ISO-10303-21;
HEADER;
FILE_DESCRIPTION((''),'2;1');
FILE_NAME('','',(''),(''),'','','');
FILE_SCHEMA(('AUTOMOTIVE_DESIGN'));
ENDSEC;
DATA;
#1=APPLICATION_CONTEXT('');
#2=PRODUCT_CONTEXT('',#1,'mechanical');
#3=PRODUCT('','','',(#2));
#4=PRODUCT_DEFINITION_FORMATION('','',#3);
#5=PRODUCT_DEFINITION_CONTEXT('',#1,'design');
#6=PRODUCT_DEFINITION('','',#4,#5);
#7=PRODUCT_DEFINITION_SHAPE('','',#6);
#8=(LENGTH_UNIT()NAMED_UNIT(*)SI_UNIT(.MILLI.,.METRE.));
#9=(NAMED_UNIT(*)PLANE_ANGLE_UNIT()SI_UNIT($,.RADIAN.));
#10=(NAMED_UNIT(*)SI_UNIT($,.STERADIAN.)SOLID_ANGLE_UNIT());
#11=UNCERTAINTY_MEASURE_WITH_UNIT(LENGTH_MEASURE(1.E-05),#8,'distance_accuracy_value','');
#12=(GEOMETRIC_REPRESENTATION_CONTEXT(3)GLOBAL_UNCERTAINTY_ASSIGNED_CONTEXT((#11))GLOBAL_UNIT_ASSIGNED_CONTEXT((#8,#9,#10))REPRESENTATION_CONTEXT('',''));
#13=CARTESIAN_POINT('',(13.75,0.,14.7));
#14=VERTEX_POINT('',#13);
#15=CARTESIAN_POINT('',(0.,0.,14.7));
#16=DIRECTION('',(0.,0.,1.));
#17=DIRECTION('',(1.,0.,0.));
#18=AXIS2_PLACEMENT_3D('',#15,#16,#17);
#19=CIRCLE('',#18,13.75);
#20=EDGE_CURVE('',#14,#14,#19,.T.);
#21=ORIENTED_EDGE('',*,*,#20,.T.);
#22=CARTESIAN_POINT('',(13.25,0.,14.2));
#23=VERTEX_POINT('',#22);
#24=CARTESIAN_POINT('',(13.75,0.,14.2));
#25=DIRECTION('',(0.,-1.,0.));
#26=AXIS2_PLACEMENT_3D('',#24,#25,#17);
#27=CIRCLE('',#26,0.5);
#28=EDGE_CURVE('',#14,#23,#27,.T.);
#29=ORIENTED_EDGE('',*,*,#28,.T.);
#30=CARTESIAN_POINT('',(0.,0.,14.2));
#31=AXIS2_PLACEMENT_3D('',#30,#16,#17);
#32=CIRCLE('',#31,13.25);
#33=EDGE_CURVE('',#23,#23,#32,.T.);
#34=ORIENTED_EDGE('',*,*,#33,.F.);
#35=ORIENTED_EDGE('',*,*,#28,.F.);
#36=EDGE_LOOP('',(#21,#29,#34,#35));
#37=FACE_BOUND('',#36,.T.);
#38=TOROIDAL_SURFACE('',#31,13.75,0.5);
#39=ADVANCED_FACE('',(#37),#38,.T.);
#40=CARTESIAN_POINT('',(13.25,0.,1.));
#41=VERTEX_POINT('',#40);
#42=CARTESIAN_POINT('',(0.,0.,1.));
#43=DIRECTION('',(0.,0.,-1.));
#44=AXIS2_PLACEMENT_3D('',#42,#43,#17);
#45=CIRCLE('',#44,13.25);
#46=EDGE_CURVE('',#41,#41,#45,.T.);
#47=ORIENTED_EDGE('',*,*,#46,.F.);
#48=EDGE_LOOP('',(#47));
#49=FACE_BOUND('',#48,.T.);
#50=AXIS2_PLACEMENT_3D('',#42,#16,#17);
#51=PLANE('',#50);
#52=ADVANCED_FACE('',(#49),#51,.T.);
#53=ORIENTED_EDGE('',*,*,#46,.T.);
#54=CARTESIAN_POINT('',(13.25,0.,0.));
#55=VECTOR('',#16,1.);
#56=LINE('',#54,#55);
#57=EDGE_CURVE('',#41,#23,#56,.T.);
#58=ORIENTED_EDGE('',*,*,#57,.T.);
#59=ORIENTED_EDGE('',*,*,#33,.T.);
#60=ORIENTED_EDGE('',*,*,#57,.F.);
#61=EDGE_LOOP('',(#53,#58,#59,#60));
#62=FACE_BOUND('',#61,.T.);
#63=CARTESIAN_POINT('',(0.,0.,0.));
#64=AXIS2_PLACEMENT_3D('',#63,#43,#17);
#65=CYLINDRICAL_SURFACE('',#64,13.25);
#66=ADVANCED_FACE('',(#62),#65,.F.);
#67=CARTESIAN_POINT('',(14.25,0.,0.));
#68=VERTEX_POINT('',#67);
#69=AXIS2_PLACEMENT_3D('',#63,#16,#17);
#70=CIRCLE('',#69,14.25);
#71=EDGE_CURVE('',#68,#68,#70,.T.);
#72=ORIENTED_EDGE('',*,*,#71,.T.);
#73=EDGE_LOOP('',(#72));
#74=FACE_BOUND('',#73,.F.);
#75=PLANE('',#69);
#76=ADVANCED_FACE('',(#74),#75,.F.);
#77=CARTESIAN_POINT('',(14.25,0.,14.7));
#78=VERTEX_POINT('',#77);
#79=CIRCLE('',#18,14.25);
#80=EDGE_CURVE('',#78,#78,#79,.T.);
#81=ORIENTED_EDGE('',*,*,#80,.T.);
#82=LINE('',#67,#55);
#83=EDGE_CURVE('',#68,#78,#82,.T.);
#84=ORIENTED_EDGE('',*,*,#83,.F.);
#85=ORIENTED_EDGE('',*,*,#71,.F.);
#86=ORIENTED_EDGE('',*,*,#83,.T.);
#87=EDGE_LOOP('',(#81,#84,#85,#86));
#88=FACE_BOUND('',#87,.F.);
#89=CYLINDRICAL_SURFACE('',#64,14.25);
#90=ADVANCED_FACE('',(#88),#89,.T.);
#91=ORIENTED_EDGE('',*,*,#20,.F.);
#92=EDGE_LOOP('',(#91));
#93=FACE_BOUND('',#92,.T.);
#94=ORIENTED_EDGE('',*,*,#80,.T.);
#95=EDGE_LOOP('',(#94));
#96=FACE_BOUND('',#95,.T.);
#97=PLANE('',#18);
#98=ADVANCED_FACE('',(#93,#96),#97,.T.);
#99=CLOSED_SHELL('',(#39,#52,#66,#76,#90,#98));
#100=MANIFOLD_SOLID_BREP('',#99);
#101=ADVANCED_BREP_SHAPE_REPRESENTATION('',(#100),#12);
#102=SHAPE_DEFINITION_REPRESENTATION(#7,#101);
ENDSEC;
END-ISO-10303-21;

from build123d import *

# Parameters (mm, degrees)
F0_R     = 14.25
F1_DEPTH = 14.7
F2_T     = -1
F3_R     = 0.5


with BuildPart() as f1:
    # F0 (on Top) → F1 (new body)
    with BuildSketch(Plane.XY):
        Circle(F0_R)
    extrude(amount=F1_DEPTH)

    # F2
    f2_openings = [f1.faces().sort_by_distance(p)[0] for p in [
        (0, 0, 14.7),
    ]]
    offset(amount=F2_T, openings=f2_openings)

    # F3
    f3_edges = [f1.edges().sort_by_distance(p)[0] for p in [
        (-13.25, 0, 14.7),
    ]]
    fillet(f3_edges, radius=F3_R)


solid = f1.part
